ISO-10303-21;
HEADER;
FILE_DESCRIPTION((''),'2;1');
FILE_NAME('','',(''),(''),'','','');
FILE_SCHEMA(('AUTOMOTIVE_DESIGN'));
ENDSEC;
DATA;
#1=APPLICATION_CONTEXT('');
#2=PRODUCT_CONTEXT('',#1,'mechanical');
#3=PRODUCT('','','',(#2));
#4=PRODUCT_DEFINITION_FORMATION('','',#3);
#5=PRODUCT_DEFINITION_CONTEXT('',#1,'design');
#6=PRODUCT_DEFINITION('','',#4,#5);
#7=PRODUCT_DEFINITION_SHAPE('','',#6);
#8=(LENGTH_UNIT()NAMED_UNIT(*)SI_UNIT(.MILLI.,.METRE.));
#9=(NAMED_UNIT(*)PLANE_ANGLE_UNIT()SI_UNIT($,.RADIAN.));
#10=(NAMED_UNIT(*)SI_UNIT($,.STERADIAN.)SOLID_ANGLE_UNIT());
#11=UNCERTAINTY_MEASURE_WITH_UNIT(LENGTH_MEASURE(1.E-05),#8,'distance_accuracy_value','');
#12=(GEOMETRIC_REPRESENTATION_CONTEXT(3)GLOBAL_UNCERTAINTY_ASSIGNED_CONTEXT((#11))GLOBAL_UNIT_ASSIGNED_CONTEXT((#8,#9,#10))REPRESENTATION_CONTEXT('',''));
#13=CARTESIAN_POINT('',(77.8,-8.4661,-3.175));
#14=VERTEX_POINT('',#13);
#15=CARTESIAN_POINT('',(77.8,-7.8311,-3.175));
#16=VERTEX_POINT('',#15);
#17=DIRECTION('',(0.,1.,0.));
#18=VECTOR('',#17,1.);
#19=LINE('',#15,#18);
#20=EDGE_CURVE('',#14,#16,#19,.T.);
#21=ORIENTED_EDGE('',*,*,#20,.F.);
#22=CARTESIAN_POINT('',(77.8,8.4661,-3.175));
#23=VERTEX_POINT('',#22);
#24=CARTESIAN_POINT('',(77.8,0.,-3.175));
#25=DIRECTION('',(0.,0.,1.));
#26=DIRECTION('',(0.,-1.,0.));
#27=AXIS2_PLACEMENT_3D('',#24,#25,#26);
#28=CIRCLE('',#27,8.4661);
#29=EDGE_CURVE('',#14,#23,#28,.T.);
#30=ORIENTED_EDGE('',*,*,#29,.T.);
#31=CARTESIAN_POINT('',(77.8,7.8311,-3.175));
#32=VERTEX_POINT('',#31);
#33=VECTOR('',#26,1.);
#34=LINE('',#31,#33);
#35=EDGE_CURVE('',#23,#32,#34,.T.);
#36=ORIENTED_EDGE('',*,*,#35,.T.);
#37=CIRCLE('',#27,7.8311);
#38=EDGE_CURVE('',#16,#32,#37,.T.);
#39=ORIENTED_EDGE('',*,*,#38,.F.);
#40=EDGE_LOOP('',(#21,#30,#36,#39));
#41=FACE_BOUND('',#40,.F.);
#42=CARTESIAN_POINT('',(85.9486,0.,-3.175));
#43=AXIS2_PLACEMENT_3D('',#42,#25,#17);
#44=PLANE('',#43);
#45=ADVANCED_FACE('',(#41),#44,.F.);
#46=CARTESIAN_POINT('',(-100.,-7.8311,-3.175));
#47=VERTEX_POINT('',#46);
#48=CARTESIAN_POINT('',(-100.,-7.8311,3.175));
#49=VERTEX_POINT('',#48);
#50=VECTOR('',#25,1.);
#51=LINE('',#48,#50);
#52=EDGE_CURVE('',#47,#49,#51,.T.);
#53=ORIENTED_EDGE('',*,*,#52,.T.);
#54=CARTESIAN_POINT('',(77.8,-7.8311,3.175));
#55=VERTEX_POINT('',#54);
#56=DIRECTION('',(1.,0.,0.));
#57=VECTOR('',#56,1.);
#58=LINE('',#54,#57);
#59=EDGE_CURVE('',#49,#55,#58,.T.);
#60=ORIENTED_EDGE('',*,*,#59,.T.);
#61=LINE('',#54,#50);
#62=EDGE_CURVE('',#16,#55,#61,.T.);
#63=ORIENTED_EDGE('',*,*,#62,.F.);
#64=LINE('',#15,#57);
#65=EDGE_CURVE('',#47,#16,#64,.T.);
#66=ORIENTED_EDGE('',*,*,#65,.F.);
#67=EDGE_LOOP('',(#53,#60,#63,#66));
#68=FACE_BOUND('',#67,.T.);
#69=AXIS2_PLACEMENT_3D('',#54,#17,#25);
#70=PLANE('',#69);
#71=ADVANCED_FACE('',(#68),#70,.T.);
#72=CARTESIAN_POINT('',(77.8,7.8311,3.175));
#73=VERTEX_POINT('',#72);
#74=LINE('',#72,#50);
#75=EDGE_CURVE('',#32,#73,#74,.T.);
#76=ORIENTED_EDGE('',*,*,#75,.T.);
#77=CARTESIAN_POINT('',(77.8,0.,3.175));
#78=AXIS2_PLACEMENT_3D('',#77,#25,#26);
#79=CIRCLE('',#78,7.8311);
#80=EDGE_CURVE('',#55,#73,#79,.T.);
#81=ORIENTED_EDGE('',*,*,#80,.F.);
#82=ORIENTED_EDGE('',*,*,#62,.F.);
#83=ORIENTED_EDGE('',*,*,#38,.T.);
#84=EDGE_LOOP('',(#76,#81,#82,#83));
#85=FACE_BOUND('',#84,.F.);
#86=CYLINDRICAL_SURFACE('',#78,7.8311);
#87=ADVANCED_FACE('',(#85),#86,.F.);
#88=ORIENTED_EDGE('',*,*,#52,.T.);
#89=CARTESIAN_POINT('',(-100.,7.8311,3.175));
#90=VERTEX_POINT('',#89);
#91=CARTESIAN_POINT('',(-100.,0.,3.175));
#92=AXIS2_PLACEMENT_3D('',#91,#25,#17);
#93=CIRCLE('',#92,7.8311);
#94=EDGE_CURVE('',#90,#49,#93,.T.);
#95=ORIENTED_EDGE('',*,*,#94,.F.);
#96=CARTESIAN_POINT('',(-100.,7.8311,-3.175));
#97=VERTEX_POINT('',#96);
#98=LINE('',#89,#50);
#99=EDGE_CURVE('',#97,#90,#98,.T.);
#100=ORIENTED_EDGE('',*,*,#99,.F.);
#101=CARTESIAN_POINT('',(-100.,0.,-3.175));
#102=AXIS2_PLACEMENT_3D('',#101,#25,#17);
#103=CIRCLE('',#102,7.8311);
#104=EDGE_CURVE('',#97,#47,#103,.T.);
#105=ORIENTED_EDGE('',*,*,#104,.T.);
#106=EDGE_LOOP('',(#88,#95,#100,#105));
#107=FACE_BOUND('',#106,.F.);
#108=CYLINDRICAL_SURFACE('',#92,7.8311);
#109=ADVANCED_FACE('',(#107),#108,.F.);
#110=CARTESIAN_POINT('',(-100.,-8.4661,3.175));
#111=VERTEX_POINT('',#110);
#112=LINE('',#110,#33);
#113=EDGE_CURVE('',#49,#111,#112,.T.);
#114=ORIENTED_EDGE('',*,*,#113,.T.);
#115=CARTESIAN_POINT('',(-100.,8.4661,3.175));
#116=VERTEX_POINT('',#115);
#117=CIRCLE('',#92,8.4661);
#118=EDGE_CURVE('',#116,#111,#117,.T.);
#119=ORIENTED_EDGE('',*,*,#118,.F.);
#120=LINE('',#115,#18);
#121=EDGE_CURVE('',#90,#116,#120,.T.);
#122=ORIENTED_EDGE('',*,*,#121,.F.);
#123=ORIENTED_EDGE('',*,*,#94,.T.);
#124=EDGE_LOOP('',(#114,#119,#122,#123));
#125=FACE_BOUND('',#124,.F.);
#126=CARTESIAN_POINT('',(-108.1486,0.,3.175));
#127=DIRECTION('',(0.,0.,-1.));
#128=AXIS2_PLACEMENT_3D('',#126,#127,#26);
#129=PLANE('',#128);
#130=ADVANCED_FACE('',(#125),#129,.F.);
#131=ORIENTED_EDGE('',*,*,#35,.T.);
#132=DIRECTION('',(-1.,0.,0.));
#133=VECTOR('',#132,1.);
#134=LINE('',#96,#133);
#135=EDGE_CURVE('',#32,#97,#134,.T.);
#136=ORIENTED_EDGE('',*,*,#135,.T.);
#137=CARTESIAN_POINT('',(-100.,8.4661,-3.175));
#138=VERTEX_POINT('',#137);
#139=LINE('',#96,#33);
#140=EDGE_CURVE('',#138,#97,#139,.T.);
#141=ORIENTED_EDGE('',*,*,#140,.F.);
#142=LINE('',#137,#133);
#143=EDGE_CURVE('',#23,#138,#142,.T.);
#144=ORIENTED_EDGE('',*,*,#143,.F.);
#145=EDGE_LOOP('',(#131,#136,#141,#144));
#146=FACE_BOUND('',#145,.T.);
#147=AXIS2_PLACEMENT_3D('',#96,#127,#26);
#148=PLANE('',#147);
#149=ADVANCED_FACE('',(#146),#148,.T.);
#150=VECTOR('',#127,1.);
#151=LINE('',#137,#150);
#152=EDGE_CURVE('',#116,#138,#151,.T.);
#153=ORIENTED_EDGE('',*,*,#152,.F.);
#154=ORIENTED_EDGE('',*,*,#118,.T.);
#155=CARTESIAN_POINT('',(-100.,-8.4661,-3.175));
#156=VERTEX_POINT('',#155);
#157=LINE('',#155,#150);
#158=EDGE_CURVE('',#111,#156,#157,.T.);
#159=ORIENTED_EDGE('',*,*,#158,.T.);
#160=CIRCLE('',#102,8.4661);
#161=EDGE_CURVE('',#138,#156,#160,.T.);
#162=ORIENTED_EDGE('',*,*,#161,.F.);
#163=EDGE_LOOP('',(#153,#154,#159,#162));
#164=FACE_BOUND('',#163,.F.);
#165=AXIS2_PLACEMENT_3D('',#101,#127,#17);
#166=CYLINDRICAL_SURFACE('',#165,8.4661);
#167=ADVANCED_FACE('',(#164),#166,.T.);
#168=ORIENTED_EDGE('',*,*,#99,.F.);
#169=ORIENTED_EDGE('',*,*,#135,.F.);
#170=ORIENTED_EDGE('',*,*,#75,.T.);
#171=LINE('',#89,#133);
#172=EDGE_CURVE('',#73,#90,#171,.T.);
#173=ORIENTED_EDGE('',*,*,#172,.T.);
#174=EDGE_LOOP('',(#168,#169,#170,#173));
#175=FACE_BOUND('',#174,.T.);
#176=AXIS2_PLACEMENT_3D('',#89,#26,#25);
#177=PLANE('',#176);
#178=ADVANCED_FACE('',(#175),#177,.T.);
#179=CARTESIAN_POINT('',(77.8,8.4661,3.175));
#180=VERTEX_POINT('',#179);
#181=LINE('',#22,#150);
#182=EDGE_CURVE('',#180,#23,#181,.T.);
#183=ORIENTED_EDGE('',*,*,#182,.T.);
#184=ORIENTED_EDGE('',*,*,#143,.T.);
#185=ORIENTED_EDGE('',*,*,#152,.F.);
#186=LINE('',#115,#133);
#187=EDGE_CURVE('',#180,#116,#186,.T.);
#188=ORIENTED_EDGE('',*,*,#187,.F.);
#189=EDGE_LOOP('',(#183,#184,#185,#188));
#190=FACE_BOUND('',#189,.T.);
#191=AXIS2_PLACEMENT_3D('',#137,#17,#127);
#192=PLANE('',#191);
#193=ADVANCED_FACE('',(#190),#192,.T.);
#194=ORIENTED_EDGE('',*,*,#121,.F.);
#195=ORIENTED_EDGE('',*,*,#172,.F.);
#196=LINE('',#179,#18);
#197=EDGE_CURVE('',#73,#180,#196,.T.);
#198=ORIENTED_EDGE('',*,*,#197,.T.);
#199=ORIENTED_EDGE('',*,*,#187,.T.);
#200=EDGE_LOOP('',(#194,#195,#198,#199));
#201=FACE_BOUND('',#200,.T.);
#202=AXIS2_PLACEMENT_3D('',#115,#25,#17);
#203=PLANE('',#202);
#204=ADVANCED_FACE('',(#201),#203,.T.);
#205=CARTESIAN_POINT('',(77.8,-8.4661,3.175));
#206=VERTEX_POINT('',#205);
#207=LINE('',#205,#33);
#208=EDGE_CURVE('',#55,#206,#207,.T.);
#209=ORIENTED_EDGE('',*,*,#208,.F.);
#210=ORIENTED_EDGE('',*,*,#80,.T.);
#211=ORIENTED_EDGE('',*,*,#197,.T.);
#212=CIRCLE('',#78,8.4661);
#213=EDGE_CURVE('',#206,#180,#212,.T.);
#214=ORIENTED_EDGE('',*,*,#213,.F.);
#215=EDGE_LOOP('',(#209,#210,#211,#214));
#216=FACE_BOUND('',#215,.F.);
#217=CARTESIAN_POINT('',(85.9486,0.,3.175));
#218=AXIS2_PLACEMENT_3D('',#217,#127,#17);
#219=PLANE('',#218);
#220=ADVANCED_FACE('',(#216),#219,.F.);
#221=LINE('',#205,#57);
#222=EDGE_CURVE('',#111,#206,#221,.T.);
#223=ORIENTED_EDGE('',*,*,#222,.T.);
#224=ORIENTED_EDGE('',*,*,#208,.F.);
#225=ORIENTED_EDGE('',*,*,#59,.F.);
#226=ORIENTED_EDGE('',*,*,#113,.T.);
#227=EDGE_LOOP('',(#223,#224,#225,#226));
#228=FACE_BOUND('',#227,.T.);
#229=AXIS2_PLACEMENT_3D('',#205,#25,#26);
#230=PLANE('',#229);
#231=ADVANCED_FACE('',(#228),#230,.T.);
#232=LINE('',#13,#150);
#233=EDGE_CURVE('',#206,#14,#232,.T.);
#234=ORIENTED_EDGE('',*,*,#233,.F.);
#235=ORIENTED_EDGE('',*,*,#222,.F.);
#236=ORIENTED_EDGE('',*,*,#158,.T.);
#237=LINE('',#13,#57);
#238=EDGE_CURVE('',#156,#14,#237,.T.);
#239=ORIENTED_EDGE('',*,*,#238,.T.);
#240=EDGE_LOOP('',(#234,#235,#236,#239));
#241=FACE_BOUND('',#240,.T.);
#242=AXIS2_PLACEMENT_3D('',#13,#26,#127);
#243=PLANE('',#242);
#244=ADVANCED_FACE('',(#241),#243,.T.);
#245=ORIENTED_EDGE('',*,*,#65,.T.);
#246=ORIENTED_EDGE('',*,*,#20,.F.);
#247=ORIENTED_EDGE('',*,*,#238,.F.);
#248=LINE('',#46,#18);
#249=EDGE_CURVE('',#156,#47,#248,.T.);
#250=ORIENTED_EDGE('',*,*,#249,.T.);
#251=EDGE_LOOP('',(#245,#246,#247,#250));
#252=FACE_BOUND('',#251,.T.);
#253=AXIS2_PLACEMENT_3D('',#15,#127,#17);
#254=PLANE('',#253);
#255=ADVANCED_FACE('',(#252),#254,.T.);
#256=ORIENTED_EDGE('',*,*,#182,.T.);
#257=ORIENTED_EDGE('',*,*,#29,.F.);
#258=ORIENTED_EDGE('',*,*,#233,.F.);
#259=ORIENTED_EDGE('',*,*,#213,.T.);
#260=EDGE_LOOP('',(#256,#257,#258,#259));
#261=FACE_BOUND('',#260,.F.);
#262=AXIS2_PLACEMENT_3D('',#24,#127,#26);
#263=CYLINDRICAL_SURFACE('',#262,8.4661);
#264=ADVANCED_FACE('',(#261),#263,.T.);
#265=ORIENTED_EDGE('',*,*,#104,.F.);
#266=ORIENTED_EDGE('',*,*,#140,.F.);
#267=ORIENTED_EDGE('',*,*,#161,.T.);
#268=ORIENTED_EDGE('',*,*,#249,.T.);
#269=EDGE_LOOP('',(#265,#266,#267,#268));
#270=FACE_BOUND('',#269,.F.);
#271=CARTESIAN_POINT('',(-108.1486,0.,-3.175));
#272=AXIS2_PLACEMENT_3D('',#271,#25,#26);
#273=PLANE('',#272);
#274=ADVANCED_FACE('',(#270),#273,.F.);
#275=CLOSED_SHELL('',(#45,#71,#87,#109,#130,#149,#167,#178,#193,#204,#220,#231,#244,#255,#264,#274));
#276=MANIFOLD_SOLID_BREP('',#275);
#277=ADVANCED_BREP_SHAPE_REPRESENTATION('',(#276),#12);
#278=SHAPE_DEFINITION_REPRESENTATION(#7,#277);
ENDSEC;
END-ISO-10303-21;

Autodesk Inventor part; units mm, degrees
sketch "Sketch Path" plane through (0, 0, 0) normal (0, 0, 1) x (1, 0, 0)
  arc A0 (-100, 8.0851) -> (-100, -8.0851) centre (-100, 0) ccw
  arc A1 (77.8, -8.0851) -> (77.8, 8.0851) centre (77.8, 0) ccw
  line L0 (77.8, -8.0851) -> (-100, -8.0851)
  line L1 (-100, 8.0851) -> (77.8, 8.0851)
ref_plane "Cross Section Plane" through (-100, -8.0851, 0) normal (1, 0, 0) x (0, 0, 1)
ref_plane "Work Plane2" through (-100, 0, 0) normal (-1, 0, 0) x (0, 0, 1)
ref_plane "Work Plane3" through (77.8, 0, 0) normal (-0.9921, 0.1253, 0) x (0, 0, 1)
sketch "Cross Section" plane through (-100, -8.0851, 0) normal (1, 0, 0) x (0, 0, 1)
  line L0 (-3.175, 0.381) -> (3.175, 0.381)
  line L1 (3.175, 0.381) -> (3.175, -0.254)
  line L2 (3.175, -0.254) -> (-3.175, -0.254)
  line L3 (-3.175, -0.254) -> (-3.175, 0.381)
  line L4 (-3.175, 0) -> (3.175, 0) construction
  point P0 (0, 0)
  point P1 (0, 0)
  dimension "d0" = 6.35
  dimension "d4" = 0.254
  dimension "d5" = 0.381
sweep "Belt" add profiles "Cross Section" path "Sketch Path"
equation "\"d0\" = da_B"
equation "\"d4\" = da_a"
equation "\"d5\" = da_a2"
equation "\"da_B\" = 6.35"
equation "\"da_pb\" = 2.032"
equation "\"da_L\" = 406.4"
equation "\"da_a\" = 0.254"
equation "\"da_S\" = 1.143"
equation "\"da_Beta\" = 20deg"
equation "\"da_Ht\" = 0.508"
equation "\"da_H\" = 1.143"
equation "\"da_a2\" = 0.381"
properties part number "Synchronous Belt" material "Rubber"
